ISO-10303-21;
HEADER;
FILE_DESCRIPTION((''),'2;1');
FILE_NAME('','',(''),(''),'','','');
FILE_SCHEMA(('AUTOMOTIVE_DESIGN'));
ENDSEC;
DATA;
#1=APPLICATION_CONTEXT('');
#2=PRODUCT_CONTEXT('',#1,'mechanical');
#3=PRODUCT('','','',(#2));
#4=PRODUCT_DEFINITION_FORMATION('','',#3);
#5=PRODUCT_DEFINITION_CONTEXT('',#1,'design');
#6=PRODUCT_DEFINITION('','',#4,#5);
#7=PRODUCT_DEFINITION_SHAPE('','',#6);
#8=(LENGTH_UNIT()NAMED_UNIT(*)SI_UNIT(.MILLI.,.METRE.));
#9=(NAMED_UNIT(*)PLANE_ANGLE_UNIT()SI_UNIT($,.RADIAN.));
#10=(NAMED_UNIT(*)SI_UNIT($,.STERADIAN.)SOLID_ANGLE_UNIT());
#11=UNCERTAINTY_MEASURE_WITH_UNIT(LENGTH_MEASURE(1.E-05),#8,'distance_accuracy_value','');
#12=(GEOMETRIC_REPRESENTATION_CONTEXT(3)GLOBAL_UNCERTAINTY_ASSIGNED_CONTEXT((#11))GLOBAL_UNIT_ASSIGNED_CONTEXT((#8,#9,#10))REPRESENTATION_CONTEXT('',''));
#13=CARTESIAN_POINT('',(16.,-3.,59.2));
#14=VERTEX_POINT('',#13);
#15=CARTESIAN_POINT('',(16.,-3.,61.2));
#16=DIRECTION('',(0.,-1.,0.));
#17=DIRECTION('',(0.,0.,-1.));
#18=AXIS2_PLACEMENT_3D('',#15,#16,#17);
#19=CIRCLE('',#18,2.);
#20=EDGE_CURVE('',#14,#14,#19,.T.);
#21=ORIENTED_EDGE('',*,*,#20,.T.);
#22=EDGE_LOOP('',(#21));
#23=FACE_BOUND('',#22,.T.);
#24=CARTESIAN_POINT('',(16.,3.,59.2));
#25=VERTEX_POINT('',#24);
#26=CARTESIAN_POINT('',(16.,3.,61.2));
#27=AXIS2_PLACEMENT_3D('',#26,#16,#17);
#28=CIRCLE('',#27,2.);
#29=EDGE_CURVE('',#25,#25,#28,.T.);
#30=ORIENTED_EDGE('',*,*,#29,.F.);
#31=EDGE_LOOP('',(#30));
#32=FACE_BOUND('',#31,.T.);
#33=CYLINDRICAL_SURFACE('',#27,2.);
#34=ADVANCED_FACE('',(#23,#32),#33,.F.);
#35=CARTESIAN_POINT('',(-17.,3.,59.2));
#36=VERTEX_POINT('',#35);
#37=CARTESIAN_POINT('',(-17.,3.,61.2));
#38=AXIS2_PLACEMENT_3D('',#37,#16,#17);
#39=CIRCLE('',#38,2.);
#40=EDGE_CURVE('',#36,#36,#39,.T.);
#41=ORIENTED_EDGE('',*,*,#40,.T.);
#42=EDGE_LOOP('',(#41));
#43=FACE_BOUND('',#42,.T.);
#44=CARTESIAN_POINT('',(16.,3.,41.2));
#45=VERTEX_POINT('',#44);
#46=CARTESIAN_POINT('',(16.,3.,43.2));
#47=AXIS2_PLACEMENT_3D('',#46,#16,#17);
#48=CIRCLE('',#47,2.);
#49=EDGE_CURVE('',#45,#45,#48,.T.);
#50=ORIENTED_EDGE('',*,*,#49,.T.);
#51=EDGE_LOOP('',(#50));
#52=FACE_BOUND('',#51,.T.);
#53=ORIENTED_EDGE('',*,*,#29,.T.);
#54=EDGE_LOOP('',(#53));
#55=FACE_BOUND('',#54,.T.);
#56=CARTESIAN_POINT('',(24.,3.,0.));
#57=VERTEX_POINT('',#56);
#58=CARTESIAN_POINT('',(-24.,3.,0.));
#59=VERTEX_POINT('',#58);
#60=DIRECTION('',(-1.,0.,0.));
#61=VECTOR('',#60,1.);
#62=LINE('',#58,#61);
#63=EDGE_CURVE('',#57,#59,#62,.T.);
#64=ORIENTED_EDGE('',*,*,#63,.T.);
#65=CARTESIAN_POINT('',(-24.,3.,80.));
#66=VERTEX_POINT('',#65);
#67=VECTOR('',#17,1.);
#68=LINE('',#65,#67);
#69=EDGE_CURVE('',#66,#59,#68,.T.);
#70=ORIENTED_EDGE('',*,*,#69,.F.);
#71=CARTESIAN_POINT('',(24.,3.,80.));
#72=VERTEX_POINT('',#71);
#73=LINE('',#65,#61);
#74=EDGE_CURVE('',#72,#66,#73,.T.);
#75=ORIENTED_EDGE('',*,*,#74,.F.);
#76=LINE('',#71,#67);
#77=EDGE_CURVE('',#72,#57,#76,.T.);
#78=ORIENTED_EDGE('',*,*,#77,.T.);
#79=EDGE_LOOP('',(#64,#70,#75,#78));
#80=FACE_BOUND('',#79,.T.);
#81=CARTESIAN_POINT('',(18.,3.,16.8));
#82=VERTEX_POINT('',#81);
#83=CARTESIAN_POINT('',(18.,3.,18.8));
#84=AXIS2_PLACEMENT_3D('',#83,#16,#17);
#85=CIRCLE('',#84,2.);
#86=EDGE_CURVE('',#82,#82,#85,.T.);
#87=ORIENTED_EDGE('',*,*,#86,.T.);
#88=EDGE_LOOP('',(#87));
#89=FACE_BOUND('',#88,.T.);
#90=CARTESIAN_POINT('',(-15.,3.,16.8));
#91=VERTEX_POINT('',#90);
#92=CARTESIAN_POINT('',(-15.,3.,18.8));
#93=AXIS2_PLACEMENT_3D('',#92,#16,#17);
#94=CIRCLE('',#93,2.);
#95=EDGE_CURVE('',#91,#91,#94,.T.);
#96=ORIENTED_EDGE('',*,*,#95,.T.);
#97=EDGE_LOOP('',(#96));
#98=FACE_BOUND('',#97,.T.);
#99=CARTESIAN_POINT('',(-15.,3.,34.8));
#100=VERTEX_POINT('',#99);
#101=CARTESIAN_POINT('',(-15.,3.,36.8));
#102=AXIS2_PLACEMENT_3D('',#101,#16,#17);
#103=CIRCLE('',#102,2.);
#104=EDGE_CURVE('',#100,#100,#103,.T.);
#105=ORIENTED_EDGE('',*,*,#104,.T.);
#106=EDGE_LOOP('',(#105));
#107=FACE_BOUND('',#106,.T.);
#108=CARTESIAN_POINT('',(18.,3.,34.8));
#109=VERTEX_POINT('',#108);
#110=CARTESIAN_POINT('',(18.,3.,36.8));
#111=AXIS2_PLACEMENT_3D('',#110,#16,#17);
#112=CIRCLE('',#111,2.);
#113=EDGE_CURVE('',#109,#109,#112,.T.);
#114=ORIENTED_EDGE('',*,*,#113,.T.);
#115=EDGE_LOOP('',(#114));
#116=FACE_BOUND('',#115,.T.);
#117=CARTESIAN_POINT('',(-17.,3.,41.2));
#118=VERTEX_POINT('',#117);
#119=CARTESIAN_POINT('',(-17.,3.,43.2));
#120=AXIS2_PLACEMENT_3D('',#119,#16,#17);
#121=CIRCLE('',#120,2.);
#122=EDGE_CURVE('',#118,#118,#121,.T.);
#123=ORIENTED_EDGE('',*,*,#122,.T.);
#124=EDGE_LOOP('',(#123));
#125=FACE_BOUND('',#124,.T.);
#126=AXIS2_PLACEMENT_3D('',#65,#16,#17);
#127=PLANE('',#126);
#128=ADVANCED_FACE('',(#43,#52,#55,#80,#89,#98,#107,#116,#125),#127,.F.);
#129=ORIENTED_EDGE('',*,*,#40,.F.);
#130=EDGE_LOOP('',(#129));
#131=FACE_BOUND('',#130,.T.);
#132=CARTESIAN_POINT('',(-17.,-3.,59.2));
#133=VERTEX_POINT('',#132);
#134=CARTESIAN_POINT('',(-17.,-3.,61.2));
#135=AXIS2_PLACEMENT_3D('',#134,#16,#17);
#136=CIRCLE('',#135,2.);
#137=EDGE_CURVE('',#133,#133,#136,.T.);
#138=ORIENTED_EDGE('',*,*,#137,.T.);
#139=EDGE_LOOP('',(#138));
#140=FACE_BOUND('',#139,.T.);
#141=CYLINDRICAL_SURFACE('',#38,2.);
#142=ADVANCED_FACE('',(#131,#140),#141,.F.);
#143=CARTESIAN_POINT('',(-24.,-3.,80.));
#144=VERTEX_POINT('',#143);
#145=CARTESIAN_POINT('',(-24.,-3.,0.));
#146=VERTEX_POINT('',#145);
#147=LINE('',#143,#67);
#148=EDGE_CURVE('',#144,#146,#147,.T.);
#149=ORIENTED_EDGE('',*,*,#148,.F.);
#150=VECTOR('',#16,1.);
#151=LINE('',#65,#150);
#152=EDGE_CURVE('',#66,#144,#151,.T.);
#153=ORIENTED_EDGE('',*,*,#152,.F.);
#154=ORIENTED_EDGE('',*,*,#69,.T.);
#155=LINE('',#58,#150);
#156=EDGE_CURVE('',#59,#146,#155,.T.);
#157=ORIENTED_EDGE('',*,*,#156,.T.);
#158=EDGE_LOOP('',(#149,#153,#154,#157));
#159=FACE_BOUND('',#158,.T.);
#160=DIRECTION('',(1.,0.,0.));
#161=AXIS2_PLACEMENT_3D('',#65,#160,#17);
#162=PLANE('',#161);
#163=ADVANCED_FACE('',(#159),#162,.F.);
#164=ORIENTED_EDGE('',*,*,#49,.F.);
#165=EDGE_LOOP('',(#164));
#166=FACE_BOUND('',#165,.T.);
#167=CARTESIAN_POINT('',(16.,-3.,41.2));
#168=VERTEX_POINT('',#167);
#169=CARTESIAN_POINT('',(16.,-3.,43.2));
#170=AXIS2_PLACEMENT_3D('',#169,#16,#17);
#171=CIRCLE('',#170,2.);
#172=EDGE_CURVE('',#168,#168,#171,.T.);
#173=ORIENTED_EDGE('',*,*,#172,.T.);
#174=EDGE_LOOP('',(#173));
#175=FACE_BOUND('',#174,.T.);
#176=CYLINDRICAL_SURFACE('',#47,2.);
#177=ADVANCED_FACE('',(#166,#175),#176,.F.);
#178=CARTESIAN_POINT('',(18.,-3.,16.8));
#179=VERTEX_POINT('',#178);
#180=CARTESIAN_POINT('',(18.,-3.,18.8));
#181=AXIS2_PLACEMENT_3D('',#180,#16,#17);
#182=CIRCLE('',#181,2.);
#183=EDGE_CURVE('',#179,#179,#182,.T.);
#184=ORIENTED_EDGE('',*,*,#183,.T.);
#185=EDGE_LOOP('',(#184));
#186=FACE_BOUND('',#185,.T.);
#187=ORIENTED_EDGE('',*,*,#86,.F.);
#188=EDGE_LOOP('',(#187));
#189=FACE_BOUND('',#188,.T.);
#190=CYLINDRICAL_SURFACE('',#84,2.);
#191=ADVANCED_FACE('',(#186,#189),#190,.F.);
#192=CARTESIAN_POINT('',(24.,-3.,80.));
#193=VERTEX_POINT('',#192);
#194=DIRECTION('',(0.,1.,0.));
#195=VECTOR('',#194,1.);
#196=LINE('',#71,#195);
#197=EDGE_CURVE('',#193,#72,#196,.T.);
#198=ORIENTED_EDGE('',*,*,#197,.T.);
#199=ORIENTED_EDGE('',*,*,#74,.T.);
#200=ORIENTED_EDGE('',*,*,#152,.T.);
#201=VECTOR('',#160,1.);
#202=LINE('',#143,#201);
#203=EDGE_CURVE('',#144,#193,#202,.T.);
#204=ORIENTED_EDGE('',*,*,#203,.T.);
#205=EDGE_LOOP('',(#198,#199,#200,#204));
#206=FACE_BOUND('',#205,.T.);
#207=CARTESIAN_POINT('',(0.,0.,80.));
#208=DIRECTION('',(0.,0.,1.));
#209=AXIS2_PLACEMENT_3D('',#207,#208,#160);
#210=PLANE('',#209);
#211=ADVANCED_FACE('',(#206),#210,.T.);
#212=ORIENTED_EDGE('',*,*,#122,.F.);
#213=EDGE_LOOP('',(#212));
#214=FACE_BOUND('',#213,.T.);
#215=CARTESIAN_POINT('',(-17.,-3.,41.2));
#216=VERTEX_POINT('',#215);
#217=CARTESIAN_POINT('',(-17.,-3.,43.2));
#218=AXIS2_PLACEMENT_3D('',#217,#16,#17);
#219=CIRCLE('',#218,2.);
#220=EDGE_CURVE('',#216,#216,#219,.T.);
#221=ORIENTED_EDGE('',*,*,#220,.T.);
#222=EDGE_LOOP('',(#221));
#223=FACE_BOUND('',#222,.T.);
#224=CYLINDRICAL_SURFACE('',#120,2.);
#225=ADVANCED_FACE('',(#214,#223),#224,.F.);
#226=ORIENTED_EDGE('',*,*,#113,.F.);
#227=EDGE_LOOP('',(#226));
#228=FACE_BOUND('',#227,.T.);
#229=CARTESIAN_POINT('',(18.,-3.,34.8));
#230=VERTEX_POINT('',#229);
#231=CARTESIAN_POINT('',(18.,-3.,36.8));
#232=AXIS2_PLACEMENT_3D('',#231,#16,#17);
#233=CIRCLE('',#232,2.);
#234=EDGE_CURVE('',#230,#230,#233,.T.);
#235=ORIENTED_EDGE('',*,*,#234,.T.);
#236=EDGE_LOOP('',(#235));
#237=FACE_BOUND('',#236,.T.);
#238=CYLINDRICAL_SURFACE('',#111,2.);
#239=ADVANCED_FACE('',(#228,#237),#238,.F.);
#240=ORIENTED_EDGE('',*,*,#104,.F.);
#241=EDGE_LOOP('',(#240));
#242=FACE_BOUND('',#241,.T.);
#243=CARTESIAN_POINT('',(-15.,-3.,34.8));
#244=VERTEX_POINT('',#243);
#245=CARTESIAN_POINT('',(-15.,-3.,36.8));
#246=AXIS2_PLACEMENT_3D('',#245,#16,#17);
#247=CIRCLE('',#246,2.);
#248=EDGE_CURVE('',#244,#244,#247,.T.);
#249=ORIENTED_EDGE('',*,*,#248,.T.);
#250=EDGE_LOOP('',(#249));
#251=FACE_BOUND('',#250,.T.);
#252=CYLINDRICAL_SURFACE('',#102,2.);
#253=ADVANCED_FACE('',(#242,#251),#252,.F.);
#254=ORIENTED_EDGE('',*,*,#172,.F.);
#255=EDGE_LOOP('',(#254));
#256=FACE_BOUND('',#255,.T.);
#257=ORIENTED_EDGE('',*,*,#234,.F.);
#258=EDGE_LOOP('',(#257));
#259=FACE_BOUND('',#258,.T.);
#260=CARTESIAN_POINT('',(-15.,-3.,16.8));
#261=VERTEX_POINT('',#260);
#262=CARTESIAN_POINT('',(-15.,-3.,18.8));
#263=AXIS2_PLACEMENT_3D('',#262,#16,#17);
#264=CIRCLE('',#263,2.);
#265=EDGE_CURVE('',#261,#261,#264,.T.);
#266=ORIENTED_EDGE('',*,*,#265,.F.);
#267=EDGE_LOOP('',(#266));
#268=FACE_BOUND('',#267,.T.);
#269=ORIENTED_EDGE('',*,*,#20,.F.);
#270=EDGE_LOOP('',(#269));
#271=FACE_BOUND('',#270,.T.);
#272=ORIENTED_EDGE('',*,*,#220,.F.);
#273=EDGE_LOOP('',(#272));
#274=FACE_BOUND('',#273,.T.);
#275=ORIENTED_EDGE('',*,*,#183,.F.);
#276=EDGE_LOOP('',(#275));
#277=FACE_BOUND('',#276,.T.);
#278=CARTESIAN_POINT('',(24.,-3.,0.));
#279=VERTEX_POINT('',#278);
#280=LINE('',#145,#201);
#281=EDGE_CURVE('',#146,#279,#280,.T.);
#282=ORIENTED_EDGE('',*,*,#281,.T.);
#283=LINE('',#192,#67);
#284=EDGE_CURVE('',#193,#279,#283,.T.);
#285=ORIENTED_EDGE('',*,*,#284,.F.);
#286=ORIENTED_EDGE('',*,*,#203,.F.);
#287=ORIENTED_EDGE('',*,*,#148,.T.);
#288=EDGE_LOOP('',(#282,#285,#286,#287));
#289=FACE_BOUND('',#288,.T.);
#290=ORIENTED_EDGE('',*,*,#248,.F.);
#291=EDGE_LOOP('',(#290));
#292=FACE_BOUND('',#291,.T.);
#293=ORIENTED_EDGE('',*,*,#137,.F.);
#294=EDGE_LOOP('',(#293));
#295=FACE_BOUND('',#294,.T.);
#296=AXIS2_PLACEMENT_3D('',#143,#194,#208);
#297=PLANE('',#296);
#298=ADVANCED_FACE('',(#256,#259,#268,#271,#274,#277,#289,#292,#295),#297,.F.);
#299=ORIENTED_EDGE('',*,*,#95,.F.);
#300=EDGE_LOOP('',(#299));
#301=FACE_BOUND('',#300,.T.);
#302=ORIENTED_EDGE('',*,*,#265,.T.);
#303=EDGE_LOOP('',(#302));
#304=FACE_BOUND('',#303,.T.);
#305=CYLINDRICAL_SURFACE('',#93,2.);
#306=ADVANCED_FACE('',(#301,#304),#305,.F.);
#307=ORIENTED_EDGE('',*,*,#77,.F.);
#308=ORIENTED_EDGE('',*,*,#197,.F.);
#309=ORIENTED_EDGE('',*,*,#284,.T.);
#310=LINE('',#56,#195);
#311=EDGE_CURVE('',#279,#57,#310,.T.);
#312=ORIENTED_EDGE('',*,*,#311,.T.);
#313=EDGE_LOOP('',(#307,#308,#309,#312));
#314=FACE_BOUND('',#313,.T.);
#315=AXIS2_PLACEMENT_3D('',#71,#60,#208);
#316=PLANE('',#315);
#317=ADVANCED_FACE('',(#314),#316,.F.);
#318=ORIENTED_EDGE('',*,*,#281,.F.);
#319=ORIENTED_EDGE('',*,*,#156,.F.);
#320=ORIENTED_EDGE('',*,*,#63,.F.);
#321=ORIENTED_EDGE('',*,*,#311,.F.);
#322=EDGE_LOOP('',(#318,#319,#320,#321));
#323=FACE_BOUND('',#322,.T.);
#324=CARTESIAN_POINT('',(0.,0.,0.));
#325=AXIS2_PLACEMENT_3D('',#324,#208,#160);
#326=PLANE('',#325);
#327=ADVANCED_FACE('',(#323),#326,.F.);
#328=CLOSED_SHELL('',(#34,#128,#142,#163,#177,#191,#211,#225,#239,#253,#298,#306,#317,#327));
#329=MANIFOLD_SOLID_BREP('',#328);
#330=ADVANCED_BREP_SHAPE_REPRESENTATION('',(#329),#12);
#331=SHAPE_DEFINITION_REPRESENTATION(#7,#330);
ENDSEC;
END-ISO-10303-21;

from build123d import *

# Parameters (mm, degrees)
CROQUIS1_W              = 48
CROQUIS1_H              = 6
SALIENTE_EXTRUIR1_DEPTH = 80
CROQUIS6_R              = 2
CORTAR_EXTRUIR4_DEPTH   = 84.737685662


with BuildPart() as part:
    # Croquis1 → Saliente-Extruir1 (new body)
    with BuildSketch(Plane.XY):
        Rectangle(CROQUIS1_W, CROQUIS1_H)
    extrude(amount=SALIENTE_EXTRUIR1_DEPTH)

    # Croquis6 → Cortar-Extruir4 (cut, through all)
    with BuildSketch(Plane.XZ.offset(3)):
        with Locations(Location((16, 61.2, 0), (0, 0, 270))):
            Circle(CROQUIS6_R)
        with Locations(Location((18, 36.8, 0), (0, 0, 270))):
            Circle(CROQUIS6_R)
        with Locations(Location((18, 18.8, 0), (0, 0, 270))):
            Circle(CROQUIS6_R)
        with Locations(Location((-17, 61.2, 0), (0, 0, 270))):
            Circle(CROQUIS6_R)
        with Locations(Location((-15, 36.8, 0), (0, 0, 270))):
            Circle(CROQUIS6_R)
        with Locations(Location((-15, 18.8, 0), (0, 0, 270))):
            Circle(CROQUIS6_R)
        with Locations(Location((-17, 43.2, 0), (0, 0, 270))):
            Circle(CROQUIS6_R)
        with Locations(Location((16, 43.2, 0), (0, 0, 270))):
            Circle(CROQUIS6_R)
    extrude(amount=-CORTAR_EXTRUIR4_DEPTH, mode=Mode.SUBTRACT)


solid = part.part
